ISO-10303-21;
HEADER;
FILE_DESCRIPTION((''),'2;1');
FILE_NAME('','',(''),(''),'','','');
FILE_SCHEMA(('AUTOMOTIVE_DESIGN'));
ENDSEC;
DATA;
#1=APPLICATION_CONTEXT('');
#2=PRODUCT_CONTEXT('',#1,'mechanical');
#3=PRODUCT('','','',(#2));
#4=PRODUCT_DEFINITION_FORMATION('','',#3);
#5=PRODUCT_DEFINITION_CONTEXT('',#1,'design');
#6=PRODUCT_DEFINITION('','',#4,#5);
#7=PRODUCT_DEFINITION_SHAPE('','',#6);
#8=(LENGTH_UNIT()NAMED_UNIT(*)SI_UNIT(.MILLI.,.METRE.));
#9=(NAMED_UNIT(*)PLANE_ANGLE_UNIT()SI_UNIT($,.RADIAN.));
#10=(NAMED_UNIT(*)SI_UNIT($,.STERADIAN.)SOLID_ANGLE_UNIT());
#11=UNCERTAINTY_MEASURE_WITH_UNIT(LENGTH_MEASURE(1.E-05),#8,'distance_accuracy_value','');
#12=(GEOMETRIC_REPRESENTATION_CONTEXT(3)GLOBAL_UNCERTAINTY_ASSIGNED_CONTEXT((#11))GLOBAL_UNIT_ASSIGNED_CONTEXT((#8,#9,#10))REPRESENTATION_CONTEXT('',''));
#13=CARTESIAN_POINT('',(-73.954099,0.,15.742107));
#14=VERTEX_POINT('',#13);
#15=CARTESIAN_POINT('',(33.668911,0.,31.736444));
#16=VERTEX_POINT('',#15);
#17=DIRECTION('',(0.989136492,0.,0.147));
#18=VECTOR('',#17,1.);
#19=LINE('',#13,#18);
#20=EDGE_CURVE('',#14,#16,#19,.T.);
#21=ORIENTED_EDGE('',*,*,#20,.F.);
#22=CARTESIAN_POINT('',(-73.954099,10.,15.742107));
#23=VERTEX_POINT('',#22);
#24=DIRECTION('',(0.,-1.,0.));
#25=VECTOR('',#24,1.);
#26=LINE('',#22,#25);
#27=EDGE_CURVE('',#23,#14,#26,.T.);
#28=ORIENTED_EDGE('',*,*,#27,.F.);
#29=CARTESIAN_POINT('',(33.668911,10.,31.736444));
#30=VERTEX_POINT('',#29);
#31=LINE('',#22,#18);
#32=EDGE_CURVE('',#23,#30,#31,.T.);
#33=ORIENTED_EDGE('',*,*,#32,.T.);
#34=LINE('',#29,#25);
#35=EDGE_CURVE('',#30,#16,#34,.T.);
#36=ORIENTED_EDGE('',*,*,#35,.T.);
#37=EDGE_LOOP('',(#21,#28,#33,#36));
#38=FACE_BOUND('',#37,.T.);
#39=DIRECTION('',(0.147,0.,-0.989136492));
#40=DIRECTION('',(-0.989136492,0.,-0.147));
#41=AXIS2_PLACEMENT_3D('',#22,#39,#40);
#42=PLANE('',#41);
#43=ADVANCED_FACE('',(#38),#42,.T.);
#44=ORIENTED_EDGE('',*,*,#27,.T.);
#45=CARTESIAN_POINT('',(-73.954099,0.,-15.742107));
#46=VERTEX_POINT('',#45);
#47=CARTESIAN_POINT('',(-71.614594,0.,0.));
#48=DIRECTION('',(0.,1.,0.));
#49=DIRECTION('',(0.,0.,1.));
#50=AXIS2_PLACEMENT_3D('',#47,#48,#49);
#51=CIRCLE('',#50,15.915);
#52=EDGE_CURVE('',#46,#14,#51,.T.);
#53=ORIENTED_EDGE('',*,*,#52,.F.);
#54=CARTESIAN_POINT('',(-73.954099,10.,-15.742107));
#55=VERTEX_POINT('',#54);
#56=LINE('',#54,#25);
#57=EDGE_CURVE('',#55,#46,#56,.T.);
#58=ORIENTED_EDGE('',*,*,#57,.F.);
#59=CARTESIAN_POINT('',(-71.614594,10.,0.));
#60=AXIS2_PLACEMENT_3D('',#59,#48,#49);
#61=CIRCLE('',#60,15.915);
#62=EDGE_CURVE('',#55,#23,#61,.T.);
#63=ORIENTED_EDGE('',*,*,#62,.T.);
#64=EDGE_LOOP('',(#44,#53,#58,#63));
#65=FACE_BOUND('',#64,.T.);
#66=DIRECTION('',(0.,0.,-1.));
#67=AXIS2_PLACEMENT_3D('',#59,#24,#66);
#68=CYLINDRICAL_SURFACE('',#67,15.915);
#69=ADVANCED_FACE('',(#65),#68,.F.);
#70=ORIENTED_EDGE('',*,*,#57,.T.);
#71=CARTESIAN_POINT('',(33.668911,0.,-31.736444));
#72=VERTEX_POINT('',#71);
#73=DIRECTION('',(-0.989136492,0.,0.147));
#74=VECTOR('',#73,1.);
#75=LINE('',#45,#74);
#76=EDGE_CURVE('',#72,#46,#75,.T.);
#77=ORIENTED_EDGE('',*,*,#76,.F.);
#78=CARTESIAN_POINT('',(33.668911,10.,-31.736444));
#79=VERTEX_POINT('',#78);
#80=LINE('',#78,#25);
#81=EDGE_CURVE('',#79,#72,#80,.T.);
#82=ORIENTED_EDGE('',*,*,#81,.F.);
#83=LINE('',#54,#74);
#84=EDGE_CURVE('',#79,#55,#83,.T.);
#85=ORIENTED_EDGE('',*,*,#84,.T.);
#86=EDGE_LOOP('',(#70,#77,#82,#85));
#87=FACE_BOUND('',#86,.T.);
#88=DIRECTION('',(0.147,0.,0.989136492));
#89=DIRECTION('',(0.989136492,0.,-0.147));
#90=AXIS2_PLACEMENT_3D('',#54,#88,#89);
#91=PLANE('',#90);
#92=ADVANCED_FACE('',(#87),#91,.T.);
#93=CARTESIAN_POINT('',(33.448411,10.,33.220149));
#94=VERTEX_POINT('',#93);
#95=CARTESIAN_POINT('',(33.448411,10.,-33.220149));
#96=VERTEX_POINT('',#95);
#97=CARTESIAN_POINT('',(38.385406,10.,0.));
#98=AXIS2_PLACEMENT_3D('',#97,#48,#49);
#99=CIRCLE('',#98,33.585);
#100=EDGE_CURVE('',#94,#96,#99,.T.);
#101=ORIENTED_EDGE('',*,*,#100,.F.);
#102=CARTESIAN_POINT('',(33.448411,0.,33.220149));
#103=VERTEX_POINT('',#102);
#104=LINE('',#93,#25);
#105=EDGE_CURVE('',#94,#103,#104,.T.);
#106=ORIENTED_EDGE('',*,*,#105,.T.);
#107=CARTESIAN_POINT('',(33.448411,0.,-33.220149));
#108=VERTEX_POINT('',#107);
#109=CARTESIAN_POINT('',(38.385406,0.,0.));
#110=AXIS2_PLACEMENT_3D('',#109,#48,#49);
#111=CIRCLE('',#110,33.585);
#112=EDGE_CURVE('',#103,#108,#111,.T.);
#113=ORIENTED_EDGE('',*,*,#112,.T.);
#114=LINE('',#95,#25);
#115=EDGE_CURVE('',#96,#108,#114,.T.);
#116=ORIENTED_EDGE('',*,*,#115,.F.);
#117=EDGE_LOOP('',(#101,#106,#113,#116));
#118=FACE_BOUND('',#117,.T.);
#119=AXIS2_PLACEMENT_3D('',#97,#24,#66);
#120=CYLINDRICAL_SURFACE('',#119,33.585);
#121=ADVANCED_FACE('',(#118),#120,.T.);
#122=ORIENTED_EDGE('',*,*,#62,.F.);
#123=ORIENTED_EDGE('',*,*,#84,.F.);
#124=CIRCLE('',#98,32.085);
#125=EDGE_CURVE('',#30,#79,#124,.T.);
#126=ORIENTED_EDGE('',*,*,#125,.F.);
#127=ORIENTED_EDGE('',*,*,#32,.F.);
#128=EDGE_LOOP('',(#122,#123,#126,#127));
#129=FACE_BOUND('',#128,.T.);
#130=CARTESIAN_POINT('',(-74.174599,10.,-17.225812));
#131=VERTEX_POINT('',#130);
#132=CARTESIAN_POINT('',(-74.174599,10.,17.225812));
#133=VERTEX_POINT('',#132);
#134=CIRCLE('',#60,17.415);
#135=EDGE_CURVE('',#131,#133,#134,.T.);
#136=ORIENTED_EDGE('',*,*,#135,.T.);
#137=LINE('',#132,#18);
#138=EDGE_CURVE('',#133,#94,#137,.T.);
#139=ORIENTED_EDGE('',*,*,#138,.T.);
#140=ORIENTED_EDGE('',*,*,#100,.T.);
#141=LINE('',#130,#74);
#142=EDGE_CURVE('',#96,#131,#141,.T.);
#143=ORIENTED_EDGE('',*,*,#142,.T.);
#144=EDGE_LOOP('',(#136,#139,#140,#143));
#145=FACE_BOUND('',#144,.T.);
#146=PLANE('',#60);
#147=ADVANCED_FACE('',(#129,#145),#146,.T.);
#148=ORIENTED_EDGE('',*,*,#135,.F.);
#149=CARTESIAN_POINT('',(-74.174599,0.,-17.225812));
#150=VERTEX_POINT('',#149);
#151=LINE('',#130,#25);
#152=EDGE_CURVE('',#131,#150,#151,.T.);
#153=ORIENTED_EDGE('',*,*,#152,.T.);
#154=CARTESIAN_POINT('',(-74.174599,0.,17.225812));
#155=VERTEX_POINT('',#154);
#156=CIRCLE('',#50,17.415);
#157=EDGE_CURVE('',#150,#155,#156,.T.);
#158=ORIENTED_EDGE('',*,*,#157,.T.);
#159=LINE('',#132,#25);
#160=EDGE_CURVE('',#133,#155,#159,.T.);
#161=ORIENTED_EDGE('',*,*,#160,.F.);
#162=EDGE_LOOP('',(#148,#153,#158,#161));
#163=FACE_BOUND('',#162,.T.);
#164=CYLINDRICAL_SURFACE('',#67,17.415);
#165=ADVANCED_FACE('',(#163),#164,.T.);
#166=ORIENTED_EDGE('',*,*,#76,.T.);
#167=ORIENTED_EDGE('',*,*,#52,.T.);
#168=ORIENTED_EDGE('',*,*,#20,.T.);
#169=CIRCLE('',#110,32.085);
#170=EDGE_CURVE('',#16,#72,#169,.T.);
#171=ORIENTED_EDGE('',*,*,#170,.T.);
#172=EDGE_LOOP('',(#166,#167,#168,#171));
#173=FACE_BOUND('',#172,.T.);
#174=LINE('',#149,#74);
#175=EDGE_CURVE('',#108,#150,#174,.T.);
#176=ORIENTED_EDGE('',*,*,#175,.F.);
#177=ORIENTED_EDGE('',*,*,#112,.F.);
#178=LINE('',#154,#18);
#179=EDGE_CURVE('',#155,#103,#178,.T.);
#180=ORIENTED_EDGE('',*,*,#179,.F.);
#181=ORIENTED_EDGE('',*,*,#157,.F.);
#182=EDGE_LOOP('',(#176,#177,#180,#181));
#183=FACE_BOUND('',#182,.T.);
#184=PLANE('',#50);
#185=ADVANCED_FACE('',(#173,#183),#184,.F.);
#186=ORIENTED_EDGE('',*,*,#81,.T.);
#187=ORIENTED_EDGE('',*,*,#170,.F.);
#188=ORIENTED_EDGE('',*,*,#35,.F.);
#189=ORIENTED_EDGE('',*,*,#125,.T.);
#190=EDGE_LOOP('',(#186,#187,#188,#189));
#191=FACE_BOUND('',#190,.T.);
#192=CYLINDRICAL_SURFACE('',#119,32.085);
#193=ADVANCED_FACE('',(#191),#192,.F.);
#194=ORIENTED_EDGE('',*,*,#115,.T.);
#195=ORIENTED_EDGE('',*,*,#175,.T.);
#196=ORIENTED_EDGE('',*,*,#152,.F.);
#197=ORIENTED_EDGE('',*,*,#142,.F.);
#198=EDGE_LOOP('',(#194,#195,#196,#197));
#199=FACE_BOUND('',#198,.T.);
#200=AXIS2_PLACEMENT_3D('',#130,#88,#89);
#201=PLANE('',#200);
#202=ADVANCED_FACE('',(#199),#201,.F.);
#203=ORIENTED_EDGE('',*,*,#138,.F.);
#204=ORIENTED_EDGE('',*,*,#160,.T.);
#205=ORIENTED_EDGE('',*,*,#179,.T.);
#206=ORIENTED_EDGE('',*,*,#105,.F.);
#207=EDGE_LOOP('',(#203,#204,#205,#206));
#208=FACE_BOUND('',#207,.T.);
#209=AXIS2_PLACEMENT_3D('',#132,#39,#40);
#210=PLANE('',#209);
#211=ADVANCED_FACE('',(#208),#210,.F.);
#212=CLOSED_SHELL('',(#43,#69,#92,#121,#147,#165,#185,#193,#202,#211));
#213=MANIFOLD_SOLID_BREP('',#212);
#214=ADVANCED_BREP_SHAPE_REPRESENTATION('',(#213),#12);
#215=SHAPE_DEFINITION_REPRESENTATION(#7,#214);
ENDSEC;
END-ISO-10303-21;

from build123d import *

# Parameters (mm, degrees)
BOSS_EXTRUDE1_DEPTH = 10


with BuildPart() as part:
    # Sketch1 → Boss-Extrude1 (new body)
    with BuildSketch(Plane(origin=(0, 0, 0), x_dir=(1, 0, 0), z_dir=(0, 1, 0))):
        with BuildLine():
            Line((-74.174598733, -17.22581201), (33.448411267, -33.220149087))
            ThreePointArc((33.448411267, -33.220149087), (71.970406267, 0), (33.448411267, 33.220149087))
            Line((33.448411267, 33.220149087), (-74.174598733, 17.22581201))
            ThreePointArc((-74.174598733, 17.22581201), (-89.029593733, 0), (-74.174598733, -17.22581201))
        make_face()
        with BuildLine():
            Line((-73.954098733, 15.742107272), (33.668911267, 31.736444349))
            ThreePointArc((33.668911267, 31.736444349), (70.470406267, 0), (33.668911267, -31.736444349))
            Line((33.668911267, -31.736444349), (-73.954098733, -15.742107272))
            ThreePointArc((-73.954098733, -15.742107272), (-87.529593733, 0), (-73.954098733, 15.742107272))
        make_face(mode=Mode.SUBTRACT)
    extrude(amount=BOSS_EXTRUDE1_DEPTH)


solid = part.part
